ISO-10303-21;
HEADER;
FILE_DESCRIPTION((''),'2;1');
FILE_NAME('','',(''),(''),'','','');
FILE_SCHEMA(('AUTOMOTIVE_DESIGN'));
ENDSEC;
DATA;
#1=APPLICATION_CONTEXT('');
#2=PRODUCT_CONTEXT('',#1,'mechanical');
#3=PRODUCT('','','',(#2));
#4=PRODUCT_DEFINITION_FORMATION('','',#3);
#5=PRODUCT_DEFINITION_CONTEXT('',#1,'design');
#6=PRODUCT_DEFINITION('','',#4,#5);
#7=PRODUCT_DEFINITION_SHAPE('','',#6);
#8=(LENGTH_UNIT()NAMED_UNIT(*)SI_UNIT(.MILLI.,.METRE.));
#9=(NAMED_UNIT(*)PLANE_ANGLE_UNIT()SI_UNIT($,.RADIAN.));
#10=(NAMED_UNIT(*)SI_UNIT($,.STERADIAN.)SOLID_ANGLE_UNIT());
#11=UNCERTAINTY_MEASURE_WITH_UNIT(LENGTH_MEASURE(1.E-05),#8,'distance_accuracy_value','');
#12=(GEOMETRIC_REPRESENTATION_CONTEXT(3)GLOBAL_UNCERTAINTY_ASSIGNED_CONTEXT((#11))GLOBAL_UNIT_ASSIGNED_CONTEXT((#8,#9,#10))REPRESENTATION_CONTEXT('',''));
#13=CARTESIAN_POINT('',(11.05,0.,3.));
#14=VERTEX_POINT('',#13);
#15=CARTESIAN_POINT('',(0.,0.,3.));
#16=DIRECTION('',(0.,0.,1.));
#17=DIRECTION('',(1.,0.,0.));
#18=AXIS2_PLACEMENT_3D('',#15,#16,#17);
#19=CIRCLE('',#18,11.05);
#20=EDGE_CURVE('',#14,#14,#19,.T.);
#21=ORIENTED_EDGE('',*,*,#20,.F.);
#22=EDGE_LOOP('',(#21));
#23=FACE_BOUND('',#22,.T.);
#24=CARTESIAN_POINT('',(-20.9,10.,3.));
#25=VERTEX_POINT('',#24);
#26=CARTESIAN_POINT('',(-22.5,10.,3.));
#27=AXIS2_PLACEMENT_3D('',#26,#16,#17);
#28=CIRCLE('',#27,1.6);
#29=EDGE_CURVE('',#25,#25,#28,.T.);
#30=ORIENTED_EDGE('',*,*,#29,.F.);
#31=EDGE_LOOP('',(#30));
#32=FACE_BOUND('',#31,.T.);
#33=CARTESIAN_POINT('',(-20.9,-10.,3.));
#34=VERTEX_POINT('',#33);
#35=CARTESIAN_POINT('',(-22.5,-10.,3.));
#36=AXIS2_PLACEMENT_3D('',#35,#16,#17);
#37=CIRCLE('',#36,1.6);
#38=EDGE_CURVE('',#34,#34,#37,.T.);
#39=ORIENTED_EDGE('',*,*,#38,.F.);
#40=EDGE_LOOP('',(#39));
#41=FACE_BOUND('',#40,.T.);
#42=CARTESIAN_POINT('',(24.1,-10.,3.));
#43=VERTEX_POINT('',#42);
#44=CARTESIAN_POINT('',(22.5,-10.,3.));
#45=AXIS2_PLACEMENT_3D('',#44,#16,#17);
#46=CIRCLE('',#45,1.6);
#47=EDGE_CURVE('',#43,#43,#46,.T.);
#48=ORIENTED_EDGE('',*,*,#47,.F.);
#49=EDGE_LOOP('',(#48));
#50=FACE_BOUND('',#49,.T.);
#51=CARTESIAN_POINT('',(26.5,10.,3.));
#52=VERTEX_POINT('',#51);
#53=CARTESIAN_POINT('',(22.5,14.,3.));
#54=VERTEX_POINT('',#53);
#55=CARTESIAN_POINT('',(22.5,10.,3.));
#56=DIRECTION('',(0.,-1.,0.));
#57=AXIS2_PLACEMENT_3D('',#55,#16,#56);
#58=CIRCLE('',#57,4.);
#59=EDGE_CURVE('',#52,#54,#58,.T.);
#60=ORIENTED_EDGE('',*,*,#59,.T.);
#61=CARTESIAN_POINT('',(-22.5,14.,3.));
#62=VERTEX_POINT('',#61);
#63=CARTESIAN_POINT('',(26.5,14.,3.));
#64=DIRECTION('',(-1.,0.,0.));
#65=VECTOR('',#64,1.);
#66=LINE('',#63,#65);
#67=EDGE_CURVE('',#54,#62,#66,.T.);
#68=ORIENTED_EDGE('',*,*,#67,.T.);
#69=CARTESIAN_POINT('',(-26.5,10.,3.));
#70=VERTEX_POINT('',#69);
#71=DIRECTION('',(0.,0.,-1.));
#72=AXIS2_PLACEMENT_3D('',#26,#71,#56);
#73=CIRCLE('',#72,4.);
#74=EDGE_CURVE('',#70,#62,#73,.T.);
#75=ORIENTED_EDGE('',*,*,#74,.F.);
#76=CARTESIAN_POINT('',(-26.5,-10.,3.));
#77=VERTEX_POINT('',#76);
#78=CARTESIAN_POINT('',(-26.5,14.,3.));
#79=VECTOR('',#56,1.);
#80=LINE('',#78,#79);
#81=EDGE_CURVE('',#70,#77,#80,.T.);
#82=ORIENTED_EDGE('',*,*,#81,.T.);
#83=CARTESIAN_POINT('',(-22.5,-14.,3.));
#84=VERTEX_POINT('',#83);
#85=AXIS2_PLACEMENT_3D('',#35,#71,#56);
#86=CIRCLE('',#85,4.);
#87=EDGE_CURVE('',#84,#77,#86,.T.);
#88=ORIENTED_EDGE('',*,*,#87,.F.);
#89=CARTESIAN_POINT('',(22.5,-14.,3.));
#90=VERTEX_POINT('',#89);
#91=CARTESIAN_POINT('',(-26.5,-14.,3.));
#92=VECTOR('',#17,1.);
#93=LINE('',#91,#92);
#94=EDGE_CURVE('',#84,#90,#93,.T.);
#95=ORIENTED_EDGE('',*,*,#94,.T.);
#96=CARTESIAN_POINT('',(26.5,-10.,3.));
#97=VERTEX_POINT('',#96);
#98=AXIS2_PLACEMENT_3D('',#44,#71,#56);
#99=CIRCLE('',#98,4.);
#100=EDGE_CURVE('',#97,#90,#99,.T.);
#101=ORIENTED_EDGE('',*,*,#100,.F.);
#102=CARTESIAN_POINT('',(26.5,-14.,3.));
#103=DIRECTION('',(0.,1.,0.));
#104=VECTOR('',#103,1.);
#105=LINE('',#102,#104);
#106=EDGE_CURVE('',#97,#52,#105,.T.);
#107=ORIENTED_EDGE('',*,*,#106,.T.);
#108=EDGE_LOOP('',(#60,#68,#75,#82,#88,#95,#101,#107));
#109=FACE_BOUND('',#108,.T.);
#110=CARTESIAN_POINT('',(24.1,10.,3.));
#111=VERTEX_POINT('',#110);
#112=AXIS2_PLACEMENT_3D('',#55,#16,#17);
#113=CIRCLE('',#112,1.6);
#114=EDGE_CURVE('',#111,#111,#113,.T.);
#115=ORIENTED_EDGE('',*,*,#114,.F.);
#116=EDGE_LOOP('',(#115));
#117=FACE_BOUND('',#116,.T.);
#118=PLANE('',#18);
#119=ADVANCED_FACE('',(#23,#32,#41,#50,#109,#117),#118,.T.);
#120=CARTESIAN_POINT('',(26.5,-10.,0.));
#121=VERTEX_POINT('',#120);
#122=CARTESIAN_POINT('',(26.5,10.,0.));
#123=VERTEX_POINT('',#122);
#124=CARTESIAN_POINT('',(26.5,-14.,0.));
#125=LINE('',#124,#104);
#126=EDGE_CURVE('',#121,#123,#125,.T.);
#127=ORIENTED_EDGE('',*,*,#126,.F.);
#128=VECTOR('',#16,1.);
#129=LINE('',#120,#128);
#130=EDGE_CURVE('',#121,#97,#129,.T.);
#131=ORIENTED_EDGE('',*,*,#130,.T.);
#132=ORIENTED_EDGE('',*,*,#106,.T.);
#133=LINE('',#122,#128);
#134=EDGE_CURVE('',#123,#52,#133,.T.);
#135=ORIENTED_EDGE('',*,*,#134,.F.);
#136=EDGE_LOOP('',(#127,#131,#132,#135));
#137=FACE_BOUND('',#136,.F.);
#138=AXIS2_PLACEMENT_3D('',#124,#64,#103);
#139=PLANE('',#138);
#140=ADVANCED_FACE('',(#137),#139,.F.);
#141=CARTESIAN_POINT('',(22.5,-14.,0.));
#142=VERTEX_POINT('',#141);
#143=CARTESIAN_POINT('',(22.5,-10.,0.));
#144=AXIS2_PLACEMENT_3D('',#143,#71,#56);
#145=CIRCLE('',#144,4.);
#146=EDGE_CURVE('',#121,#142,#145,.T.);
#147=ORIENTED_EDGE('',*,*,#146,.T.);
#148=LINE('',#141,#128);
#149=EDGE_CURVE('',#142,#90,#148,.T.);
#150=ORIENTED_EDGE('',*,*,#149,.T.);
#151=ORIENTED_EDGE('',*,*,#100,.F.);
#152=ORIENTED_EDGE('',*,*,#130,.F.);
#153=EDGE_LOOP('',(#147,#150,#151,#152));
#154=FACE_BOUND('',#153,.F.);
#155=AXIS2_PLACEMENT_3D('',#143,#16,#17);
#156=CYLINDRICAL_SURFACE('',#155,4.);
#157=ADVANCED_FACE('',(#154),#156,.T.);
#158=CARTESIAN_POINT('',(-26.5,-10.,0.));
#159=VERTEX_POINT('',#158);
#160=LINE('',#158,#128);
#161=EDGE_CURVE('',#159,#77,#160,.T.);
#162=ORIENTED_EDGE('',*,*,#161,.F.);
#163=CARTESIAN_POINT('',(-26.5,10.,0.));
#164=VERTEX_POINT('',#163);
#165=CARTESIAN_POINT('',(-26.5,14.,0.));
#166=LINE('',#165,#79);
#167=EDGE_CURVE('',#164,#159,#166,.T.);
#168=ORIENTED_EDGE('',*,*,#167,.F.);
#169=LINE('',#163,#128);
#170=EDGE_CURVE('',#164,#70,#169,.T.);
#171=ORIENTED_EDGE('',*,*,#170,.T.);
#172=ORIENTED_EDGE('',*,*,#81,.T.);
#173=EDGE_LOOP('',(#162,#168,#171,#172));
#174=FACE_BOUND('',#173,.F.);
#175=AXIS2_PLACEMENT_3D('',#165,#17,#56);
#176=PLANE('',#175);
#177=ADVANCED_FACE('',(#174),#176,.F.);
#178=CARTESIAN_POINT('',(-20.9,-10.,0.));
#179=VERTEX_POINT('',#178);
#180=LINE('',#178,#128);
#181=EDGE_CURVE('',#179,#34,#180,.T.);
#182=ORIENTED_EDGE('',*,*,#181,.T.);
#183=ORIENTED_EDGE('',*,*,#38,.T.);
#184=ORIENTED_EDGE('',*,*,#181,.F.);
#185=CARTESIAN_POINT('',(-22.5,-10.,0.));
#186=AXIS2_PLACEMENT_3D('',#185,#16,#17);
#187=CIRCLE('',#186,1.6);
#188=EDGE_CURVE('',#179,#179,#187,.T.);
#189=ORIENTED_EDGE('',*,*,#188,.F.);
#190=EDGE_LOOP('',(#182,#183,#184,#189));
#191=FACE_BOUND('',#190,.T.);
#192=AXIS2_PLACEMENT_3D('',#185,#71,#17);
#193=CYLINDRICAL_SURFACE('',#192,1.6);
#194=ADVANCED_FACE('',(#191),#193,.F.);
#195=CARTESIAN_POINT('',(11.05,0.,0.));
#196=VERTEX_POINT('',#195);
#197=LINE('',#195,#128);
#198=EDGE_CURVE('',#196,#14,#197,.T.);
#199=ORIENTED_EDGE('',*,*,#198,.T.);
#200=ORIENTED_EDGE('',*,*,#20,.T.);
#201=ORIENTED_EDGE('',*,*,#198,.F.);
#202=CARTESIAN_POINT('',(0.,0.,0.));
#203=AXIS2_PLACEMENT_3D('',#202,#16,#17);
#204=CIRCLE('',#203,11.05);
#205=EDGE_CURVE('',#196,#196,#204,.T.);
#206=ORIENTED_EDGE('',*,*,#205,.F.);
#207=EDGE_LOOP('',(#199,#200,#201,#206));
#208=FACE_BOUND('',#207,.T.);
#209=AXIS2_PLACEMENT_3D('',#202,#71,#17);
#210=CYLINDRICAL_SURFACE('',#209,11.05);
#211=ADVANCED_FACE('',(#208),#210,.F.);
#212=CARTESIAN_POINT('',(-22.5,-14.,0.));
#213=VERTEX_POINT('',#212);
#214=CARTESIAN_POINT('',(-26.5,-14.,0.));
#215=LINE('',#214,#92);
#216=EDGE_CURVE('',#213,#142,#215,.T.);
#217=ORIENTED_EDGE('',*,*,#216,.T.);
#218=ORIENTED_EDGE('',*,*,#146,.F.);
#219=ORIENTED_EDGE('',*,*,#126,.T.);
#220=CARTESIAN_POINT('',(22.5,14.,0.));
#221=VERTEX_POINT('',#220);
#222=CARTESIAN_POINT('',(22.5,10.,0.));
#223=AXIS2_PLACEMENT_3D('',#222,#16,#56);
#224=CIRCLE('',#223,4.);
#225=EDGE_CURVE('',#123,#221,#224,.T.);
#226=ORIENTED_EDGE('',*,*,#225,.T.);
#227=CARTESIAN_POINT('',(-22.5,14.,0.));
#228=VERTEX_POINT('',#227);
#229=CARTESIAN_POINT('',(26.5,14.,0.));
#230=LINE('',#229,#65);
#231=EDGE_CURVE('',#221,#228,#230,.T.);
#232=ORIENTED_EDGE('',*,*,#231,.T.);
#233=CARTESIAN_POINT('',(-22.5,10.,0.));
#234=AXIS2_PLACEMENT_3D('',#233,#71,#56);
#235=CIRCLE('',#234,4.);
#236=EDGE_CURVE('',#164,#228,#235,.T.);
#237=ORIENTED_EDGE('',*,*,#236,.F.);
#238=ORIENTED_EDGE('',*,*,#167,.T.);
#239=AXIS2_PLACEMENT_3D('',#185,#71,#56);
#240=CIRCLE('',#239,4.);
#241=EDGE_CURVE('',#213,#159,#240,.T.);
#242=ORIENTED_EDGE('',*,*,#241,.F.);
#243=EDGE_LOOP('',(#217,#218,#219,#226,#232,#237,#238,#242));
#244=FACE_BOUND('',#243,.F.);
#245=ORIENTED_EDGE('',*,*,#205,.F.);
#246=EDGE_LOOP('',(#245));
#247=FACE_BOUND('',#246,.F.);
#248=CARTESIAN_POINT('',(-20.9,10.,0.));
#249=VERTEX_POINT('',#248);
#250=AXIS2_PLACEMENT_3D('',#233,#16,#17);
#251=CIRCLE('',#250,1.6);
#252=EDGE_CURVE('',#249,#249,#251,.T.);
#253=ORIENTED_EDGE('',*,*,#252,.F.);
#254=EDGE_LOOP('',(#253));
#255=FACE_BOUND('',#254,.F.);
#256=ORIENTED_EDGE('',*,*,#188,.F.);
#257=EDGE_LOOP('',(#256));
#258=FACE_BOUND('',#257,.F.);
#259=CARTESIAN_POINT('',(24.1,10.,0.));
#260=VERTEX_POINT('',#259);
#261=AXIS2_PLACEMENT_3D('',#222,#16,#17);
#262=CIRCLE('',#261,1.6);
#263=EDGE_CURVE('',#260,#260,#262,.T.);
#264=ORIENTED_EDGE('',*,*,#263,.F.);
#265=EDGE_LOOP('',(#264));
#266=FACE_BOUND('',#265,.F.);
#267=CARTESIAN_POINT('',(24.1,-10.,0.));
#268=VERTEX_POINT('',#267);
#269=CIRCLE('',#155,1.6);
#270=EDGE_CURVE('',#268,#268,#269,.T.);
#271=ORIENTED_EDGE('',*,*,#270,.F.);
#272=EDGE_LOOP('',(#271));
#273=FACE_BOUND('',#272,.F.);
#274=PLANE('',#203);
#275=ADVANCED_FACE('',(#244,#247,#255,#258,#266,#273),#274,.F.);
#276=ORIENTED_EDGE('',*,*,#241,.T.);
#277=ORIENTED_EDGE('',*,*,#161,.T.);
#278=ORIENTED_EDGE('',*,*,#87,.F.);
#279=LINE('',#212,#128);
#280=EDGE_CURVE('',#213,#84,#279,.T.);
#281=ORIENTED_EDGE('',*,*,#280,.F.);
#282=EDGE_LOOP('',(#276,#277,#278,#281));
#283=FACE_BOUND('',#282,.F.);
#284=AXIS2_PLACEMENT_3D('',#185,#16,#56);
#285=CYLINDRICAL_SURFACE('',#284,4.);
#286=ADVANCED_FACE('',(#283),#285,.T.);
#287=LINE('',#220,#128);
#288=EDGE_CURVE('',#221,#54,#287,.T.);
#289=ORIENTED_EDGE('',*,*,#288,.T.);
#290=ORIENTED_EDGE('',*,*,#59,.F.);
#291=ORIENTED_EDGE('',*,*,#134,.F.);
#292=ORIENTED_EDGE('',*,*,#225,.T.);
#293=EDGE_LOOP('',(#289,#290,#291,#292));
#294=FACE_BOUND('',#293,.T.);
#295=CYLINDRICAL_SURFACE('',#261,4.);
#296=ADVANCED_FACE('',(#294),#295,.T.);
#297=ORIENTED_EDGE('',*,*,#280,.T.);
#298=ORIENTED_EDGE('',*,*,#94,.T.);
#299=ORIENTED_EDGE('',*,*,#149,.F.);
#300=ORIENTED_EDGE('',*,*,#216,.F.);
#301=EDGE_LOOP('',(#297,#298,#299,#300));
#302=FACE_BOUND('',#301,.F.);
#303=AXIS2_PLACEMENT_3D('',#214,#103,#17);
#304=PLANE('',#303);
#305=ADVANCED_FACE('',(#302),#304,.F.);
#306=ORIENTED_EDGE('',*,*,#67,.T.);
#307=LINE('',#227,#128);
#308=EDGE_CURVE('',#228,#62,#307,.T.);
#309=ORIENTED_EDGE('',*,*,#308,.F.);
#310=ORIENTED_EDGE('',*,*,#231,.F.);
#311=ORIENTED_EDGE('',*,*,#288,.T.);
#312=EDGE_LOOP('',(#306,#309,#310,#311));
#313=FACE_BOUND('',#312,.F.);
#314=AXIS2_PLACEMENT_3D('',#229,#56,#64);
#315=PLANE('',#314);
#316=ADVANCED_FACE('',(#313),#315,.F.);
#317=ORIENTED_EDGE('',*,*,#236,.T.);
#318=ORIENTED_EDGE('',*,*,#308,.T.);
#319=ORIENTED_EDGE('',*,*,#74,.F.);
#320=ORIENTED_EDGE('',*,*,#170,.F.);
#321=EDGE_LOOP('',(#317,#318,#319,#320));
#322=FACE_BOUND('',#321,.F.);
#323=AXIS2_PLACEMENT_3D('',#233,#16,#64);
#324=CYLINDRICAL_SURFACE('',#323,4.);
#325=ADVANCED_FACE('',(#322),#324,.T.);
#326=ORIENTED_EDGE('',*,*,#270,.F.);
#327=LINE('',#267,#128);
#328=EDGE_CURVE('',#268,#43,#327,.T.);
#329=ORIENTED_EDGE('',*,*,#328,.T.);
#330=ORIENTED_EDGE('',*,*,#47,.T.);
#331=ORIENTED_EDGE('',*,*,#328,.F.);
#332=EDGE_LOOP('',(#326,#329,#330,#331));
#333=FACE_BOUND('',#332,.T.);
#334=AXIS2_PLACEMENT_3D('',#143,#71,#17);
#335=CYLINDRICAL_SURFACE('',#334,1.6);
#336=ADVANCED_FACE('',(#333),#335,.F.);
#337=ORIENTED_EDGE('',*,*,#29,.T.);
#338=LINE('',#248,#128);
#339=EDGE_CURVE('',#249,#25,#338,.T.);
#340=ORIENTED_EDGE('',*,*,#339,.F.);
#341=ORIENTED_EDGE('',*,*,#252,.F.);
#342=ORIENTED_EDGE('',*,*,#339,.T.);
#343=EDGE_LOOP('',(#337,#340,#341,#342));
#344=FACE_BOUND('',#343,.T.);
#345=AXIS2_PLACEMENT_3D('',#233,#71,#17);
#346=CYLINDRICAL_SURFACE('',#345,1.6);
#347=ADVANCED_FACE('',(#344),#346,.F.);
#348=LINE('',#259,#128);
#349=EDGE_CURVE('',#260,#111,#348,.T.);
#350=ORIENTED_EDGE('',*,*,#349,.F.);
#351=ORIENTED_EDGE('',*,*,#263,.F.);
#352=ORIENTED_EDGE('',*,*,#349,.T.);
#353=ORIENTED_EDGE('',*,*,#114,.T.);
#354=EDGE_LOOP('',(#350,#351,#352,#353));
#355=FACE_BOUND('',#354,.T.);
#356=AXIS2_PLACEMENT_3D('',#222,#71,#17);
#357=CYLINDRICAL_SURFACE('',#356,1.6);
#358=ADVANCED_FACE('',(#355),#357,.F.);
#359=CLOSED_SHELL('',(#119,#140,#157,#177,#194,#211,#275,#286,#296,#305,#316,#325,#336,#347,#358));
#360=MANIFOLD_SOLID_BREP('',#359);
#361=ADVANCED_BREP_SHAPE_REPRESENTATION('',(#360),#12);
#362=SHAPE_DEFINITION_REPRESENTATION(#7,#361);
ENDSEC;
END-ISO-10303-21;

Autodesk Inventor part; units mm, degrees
ref_plane "YZ Plane" through (0, 0, 0) normal (1, 0, 0) x (0, 1, 0)
ref_plane "XZ Plane" through (0, 0, 0) normal (0, 1, 0) x (-1, 0, 0)
ref_plane "XY Plane" through (0, 0, 0) normal (0, 0, 1) x (1, 0, 0)
sketch "スケッチ1" plane through (0, 0, 0) normal (0, 0, 1) x (1, 0, 0)
  circle A0 centre (0, 0) radius 11.05
  line L0 (22.5, 10) -> (-22.5, 10) construction
  line L1 (-22.5, 10) -> (-22.5, -10) construction
  line L2 (-22.5, -10) -> (22.5, -10) construction
  line L3 (22.5, -10) -> (22.5, 10) construction
  line L4 (22.5, 10) -> (-22.5, -10) construction
  line L5 (-22.5, 10) -> (22.5, -10) construction
  circle A1 centre (-22.5, 10) radius 1.6
  circle A2 centre (-22.5, -10) radius 1.6
  circle A3 centre (22.5, 10) radius 1.6
  circle A4 centre (22.5, -10) radius 1.6
  line L6 (26.5, 14) -> (-26.5, 14)
  line L7 (-26.5, 14) -> (-26.5, -14)
  line L8 (-26.5, -14) -> (26.5, -14)
  line L9 (26.5, -14) -> (26.5, 14)
  line L10 (26.5, 14) -> (-26.5, -14) construction
  line L11 (-26.5, 14) -> (26.5, -14) construction
  dimension "d0" = 22.1
  dimension "d1" = 45
  dimension "d2" = 20
  dimension "d3" = 3.2
  dimension "d4" = 3.2
  dimension "d5" = 3.2
  dimension "d6" = 3.2
  dimension "d7" = 4
  dimension "d8" = 4
extrude "押し出し1" add sketch "スケッチ1" along normal blind 3
fillet "フィレット1" radius 4 4 edges at (-26.5, 14, 1.5) (26.5, 14, 1.5) (26.5, -14, 1.5) (-26.5, -14, 1.5)
properties part number "関節3_プーリ側板" material "アルミニウム 6061"
